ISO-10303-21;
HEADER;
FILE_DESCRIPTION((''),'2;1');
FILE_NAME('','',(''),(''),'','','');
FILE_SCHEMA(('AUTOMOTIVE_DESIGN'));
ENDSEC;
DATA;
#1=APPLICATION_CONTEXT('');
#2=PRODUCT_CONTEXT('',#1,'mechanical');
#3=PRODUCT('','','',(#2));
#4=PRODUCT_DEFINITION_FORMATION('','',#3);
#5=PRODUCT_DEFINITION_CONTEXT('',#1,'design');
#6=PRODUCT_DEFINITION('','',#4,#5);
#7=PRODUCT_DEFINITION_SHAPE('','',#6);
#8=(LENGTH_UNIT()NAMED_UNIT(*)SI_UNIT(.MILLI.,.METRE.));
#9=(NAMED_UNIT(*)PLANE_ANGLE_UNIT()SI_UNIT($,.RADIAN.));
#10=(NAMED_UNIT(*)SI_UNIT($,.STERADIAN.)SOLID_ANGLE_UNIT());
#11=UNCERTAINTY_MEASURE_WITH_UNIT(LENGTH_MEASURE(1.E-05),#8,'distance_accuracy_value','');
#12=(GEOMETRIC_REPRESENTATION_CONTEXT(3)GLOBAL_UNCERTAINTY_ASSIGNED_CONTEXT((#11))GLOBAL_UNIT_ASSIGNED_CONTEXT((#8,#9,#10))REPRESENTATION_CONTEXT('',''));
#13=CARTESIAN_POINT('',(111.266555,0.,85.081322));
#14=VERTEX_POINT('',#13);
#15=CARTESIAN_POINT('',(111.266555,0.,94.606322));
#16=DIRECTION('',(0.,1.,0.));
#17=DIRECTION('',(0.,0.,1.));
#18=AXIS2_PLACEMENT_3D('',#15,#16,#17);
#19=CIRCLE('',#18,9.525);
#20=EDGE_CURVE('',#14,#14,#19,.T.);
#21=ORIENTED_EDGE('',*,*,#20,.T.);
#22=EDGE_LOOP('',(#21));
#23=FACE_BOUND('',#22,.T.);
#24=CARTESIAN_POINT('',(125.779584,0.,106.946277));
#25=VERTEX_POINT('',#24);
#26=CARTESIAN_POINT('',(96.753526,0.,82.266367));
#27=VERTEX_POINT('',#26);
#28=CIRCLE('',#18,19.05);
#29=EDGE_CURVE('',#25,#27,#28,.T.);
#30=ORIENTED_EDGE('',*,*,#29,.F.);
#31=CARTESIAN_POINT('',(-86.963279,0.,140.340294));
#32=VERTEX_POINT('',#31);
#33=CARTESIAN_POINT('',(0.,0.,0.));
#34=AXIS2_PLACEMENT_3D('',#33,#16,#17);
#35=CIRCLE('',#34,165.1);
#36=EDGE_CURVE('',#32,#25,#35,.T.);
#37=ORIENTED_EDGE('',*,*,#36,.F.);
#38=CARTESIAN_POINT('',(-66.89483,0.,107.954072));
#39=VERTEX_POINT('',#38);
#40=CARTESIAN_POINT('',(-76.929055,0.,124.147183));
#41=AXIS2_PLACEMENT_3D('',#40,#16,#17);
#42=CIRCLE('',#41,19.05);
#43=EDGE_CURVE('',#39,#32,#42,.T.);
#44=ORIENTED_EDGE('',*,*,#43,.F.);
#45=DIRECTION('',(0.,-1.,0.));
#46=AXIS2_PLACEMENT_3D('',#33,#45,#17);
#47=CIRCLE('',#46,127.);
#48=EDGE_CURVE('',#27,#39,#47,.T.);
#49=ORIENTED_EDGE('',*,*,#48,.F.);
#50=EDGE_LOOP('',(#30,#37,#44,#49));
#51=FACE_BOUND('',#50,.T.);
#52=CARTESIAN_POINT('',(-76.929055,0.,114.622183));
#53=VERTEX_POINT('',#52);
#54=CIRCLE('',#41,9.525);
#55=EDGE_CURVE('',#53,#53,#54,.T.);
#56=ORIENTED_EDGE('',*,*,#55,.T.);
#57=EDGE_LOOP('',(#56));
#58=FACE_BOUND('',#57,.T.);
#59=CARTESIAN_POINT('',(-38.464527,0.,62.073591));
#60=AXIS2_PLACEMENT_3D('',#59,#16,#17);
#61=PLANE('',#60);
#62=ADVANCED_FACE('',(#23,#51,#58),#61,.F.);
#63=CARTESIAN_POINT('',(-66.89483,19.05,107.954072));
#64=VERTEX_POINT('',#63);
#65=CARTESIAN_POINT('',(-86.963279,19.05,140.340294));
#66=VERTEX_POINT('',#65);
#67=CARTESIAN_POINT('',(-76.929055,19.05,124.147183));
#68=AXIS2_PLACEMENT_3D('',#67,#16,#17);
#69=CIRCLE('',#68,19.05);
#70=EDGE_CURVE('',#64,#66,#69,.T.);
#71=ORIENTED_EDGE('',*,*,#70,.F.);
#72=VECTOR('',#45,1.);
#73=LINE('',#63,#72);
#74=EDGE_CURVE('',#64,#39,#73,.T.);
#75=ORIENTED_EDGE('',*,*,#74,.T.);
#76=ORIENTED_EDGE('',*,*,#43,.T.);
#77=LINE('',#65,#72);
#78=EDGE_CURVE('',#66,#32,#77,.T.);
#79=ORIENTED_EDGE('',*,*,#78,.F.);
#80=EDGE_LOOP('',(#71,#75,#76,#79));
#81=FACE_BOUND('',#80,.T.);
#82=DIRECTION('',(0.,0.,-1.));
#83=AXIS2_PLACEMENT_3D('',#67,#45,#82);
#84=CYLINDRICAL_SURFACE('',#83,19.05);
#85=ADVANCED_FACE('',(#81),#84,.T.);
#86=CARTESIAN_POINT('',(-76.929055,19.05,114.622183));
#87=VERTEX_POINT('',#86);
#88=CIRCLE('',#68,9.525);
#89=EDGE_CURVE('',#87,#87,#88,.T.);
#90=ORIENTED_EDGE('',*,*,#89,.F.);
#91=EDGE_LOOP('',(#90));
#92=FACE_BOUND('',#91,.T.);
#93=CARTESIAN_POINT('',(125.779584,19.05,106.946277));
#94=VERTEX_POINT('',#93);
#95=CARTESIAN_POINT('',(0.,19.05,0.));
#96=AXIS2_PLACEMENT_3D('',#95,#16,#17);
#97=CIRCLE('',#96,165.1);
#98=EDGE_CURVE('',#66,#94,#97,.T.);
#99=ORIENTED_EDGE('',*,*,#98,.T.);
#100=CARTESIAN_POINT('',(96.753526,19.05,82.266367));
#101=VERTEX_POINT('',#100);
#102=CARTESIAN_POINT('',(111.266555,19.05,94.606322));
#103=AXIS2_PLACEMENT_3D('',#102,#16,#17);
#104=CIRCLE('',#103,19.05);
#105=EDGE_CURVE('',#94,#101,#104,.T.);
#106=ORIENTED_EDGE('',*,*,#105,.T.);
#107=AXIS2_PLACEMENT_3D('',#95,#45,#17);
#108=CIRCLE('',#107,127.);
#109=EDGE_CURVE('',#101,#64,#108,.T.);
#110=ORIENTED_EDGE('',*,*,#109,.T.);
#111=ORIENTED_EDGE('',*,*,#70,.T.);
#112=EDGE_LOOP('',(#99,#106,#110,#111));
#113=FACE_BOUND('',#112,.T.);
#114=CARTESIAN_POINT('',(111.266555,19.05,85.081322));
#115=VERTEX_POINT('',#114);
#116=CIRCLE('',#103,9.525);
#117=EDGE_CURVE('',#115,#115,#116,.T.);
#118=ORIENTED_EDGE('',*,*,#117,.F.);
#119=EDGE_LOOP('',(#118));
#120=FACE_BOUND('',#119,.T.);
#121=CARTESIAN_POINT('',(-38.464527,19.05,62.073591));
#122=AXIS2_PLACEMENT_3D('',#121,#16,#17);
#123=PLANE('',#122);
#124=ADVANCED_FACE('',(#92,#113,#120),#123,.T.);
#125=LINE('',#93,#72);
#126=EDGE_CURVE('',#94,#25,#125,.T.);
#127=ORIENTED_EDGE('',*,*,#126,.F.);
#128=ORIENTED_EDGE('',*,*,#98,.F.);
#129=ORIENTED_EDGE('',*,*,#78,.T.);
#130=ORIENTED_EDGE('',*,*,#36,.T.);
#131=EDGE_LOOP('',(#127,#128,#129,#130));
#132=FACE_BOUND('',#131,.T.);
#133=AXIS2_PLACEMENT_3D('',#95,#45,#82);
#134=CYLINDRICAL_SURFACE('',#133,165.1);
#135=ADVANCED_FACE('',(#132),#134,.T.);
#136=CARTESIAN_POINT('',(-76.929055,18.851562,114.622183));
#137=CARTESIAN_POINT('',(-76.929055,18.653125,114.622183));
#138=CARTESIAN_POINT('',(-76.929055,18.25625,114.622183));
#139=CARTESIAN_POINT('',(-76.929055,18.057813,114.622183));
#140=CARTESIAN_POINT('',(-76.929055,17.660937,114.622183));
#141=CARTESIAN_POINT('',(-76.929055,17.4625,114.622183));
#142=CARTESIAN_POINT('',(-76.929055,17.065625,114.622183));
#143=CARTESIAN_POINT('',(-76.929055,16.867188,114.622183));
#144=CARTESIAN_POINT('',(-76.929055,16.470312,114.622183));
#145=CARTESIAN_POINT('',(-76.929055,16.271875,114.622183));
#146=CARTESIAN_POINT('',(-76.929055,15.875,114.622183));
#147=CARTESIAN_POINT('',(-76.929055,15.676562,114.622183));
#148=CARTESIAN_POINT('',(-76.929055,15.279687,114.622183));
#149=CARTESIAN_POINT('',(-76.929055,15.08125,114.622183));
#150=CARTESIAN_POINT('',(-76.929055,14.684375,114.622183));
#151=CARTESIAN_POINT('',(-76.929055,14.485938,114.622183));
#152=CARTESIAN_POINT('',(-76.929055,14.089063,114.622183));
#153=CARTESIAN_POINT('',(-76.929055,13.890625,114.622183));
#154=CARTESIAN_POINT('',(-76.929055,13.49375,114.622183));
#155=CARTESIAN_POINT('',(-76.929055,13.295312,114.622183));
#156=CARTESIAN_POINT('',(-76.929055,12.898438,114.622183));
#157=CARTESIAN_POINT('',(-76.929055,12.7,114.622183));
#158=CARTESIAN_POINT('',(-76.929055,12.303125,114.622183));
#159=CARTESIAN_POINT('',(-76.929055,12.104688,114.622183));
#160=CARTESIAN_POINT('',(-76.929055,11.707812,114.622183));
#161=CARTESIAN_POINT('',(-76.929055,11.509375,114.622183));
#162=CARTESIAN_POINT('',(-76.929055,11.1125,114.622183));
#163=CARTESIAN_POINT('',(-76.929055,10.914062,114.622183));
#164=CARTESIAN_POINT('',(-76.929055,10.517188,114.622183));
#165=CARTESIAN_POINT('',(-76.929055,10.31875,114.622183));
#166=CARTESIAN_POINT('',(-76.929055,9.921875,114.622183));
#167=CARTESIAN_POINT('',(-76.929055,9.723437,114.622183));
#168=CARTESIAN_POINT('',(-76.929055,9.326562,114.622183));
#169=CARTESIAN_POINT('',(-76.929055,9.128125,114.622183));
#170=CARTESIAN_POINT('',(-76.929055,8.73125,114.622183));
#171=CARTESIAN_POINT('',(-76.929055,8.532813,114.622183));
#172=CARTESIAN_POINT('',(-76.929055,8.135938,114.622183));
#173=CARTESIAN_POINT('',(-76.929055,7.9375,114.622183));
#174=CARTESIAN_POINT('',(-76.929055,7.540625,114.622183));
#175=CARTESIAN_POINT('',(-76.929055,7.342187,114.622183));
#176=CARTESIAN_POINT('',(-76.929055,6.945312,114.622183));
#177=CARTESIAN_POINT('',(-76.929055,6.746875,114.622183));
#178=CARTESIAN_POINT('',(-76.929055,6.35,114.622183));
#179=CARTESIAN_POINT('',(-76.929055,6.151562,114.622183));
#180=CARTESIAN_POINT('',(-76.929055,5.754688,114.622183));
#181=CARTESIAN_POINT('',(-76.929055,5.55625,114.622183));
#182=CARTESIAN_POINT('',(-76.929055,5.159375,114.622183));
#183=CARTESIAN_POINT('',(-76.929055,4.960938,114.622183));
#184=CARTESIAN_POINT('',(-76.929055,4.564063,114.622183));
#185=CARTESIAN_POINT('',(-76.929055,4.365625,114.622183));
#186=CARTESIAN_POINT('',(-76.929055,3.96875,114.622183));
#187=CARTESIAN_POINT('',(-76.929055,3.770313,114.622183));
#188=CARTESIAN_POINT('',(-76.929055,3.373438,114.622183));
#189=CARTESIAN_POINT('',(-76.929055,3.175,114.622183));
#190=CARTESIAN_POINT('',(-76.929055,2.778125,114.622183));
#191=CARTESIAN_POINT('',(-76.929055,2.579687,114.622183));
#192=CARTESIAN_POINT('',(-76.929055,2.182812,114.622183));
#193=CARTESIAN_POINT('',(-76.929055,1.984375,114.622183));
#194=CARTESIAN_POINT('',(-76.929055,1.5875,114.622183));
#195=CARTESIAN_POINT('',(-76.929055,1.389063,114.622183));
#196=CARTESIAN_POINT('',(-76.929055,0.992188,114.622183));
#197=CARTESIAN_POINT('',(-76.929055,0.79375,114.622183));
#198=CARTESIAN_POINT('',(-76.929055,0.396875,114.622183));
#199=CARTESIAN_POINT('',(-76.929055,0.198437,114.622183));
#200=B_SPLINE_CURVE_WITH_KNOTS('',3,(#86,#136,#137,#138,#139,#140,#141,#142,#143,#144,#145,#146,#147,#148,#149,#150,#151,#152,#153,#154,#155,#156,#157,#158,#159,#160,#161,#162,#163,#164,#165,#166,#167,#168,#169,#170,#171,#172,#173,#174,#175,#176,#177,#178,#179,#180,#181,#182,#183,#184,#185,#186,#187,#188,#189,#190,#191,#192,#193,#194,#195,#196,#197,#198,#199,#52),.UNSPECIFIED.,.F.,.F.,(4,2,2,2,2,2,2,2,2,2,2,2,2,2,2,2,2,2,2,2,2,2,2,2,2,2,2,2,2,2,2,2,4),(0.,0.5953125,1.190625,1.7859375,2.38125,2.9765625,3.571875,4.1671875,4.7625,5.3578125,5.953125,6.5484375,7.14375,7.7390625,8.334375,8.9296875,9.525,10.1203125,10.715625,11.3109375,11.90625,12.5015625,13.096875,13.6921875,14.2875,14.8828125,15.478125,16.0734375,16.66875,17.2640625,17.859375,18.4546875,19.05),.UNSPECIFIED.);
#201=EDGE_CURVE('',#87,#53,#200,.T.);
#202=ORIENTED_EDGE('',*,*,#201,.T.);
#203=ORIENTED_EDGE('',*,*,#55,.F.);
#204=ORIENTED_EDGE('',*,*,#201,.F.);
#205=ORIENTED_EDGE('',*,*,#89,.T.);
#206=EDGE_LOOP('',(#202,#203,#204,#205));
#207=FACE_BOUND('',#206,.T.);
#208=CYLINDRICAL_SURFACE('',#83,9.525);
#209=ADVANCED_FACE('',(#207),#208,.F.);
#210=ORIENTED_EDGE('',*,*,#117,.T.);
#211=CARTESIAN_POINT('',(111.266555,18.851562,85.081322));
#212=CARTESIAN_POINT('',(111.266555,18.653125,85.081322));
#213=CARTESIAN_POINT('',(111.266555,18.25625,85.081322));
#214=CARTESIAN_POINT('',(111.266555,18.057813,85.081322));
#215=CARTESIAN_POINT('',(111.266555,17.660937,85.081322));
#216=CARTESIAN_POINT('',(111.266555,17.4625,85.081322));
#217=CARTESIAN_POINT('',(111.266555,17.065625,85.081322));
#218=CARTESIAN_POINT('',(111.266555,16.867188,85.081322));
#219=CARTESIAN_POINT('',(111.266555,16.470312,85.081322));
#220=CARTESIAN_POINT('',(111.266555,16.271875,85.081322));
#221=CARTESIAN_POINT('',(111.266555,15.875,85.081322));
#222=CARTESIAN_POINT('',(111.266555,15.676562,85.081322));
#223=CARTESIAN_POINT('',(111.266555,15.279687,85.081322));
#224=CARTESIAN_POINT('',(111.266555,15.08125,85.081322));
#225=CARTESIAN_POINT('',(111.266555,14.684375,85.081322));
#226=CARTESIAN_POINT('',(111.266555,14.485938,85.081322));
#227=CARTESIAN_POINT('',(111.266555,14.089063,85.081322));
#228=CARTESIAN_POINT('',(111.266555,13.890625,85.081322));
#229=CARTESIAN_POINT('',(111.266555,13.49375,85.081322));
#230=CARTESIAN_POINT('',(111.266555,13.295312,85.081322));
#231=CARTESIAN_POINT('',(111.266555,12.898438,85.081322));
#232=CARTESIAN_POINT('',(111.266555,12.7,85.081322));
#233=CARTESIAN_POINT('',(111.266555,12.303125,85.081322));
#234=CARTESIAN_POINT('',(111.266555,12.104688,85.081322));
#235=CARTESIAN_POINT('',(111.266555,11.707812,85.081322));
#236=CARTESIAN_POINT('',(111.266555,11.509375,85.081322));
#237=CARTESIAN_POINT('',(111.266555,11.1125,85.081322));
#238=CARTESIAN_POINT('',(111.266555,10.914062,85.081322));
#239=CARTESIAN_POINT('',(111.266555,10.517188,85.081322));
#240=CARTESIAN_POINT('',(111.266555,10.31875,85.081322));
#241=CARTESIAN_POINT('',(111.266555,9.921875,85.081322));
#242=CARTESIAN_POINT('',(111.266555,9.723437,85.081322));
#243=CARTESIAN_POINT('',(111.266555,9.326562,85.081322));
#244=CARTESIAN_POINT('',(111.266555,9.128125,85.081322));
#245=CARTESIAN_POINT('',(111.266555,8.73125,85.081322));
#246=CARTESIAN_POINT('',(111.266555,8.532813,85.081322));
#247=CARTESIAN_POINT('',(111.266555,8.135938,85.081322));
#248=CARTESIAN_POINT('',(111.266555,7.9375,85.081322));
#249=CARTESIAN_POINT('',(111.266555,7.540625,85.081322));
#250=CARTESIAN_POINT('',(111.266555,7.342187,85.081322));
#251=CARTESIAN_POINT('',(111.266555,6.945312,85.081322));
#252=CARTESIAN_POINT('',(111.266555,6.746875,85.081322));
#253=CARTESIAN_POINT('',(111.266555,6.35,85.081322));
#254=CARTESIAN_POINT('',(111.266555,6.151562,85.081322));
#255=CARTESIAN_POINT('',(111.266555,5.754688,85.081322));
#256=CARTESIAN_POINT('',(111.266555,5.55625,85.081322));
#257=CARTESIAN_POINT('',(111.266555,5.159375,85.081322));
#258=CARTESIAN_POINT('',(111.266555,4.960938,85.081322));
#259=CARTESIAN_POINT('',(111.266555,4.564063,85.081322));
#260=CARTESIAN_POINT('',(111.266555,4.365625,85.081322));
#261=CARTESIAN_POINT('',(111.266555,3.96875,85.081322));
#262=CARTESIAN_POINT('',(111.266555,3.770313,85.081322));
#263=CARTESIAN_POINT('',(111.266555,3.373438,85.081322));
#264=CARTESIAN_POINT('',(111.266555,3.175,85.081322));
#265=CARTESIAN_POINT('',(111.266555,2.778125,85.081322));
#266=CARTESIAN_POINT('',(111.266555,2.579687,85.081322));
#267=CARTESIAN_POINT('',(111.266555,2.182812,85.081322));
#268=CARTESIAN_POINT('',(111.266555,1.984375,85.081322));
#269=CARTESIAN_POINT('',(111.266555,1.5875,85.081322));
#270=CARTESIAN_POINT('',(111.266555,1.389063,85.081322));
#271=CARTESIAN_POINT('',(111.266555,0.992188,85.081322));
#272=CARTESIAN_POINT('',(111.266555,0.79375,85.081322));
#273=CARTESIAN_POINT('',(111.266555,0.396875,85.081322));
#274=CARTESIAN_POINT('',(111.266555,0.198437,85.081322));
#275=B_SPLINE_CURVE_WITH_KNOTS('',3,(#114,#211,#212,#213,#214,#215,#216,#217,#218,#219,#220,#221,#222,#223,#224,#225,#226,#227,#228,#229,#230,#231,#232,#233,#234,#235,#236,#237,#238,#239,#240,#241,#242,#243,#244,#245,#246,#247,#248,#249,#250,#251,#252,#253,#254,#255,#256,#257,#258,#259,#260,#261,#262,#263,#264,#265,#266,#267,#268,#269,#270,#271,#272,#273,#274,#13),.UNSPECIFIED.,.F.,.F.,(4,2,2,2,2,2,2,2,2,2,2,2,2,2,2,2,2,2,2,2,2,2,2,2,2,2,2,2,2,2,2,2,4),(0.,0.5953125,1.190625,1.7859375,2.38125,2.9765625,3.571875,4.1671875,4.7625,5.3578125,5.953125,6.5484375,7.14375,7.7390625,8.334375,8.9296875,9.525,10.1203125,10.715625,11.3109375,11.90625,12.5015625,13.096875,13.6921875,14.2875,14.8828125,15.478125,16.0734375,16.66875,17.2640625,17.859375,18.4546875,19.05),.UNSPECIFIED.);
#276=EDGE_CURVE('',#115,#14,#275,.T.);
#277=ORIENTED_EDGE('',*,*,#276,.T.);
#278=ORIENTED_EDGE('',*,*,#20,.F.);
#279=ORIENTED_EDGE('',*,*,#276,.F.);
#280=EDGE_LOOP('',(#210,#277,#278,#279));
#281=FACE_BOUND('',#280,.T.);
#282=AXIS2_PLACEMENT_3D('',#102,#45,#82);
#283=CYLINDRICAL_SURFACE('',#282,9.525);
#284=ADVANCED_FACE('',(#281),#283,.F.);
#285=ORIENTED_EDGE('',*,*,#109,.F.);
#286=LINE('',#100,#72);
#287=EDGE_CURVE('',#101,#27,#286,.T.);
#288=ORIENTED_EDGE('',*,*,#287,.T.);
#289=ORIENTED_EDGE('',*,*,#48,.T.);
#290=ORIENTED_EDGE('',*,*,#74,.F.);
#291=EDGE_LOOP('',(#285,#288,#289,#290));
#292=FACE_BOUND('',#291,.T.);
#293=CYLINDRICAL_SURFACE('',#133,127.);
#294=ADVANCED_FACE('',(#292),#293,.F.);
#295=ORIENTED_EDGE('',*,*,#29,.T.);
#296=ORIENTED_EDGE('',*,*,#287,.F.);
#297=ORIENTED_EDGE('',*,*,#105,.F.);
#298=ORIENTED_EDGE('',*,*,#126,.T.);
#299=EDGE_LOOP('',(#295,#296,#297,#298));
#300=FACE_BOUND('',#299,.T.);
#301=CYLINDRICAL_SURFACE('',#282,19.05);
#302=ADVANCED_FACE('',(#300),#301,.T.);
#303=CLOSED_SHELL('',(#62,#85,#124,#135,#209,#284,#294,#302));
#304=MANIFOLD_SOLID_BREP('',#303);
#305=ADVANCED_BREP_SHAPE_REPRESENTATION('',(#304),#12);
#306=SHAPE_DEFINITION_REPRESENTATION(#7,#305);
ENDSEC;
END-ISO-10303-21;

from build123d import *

# Parameters (mm, degrees)
SKETCH1_R           = 9.525
BOSS_EXTRUDE1_DEPTH = 19.05


with BuildPart() as part:
    # Sketch1 → Boss-Extrude1 (new body)
    with BuildSketch(Plane(origin=(0, 0, 0), x_dir=(1, 0, 0), z_dir=(0, 1, 0))):
        with BuildLine():
            ThreePointArc((-86.963279205, -140.340293821), (25.6020793, -163.102861825), (125.779584045, -106.946277343))
            ThreePointArc((125.779584045, -106.946277343), (123.606510195, -80.093293337), (96.753526188, -82.266367187))
            ThreePointArc((96.753526188, -82.266367187), (19.693907154, -125.463739865), (-66.894830158, -107.95407217))
            ThreePointArc((-66.894830158, -107.95407217), (-93.122165507, -114.112958472), (-86.963279205, -140.340293821))
        make_face()
        with Locations(Location((-76.929054682, -124.147182996, 0), (0, 0, 90))):
            Circle(SKETCH1_R, mode=Mode.SUBTRACT)
        with Locations(Location((111.266555117, -94.606322265, 0), (0, 0, 90))):
            Circle(SKETCH1_R, mode=Mode.SUBTRACT)
    extrude(amount=BOSS_EXTRUDE1_DEPTH)


solid = part.part
